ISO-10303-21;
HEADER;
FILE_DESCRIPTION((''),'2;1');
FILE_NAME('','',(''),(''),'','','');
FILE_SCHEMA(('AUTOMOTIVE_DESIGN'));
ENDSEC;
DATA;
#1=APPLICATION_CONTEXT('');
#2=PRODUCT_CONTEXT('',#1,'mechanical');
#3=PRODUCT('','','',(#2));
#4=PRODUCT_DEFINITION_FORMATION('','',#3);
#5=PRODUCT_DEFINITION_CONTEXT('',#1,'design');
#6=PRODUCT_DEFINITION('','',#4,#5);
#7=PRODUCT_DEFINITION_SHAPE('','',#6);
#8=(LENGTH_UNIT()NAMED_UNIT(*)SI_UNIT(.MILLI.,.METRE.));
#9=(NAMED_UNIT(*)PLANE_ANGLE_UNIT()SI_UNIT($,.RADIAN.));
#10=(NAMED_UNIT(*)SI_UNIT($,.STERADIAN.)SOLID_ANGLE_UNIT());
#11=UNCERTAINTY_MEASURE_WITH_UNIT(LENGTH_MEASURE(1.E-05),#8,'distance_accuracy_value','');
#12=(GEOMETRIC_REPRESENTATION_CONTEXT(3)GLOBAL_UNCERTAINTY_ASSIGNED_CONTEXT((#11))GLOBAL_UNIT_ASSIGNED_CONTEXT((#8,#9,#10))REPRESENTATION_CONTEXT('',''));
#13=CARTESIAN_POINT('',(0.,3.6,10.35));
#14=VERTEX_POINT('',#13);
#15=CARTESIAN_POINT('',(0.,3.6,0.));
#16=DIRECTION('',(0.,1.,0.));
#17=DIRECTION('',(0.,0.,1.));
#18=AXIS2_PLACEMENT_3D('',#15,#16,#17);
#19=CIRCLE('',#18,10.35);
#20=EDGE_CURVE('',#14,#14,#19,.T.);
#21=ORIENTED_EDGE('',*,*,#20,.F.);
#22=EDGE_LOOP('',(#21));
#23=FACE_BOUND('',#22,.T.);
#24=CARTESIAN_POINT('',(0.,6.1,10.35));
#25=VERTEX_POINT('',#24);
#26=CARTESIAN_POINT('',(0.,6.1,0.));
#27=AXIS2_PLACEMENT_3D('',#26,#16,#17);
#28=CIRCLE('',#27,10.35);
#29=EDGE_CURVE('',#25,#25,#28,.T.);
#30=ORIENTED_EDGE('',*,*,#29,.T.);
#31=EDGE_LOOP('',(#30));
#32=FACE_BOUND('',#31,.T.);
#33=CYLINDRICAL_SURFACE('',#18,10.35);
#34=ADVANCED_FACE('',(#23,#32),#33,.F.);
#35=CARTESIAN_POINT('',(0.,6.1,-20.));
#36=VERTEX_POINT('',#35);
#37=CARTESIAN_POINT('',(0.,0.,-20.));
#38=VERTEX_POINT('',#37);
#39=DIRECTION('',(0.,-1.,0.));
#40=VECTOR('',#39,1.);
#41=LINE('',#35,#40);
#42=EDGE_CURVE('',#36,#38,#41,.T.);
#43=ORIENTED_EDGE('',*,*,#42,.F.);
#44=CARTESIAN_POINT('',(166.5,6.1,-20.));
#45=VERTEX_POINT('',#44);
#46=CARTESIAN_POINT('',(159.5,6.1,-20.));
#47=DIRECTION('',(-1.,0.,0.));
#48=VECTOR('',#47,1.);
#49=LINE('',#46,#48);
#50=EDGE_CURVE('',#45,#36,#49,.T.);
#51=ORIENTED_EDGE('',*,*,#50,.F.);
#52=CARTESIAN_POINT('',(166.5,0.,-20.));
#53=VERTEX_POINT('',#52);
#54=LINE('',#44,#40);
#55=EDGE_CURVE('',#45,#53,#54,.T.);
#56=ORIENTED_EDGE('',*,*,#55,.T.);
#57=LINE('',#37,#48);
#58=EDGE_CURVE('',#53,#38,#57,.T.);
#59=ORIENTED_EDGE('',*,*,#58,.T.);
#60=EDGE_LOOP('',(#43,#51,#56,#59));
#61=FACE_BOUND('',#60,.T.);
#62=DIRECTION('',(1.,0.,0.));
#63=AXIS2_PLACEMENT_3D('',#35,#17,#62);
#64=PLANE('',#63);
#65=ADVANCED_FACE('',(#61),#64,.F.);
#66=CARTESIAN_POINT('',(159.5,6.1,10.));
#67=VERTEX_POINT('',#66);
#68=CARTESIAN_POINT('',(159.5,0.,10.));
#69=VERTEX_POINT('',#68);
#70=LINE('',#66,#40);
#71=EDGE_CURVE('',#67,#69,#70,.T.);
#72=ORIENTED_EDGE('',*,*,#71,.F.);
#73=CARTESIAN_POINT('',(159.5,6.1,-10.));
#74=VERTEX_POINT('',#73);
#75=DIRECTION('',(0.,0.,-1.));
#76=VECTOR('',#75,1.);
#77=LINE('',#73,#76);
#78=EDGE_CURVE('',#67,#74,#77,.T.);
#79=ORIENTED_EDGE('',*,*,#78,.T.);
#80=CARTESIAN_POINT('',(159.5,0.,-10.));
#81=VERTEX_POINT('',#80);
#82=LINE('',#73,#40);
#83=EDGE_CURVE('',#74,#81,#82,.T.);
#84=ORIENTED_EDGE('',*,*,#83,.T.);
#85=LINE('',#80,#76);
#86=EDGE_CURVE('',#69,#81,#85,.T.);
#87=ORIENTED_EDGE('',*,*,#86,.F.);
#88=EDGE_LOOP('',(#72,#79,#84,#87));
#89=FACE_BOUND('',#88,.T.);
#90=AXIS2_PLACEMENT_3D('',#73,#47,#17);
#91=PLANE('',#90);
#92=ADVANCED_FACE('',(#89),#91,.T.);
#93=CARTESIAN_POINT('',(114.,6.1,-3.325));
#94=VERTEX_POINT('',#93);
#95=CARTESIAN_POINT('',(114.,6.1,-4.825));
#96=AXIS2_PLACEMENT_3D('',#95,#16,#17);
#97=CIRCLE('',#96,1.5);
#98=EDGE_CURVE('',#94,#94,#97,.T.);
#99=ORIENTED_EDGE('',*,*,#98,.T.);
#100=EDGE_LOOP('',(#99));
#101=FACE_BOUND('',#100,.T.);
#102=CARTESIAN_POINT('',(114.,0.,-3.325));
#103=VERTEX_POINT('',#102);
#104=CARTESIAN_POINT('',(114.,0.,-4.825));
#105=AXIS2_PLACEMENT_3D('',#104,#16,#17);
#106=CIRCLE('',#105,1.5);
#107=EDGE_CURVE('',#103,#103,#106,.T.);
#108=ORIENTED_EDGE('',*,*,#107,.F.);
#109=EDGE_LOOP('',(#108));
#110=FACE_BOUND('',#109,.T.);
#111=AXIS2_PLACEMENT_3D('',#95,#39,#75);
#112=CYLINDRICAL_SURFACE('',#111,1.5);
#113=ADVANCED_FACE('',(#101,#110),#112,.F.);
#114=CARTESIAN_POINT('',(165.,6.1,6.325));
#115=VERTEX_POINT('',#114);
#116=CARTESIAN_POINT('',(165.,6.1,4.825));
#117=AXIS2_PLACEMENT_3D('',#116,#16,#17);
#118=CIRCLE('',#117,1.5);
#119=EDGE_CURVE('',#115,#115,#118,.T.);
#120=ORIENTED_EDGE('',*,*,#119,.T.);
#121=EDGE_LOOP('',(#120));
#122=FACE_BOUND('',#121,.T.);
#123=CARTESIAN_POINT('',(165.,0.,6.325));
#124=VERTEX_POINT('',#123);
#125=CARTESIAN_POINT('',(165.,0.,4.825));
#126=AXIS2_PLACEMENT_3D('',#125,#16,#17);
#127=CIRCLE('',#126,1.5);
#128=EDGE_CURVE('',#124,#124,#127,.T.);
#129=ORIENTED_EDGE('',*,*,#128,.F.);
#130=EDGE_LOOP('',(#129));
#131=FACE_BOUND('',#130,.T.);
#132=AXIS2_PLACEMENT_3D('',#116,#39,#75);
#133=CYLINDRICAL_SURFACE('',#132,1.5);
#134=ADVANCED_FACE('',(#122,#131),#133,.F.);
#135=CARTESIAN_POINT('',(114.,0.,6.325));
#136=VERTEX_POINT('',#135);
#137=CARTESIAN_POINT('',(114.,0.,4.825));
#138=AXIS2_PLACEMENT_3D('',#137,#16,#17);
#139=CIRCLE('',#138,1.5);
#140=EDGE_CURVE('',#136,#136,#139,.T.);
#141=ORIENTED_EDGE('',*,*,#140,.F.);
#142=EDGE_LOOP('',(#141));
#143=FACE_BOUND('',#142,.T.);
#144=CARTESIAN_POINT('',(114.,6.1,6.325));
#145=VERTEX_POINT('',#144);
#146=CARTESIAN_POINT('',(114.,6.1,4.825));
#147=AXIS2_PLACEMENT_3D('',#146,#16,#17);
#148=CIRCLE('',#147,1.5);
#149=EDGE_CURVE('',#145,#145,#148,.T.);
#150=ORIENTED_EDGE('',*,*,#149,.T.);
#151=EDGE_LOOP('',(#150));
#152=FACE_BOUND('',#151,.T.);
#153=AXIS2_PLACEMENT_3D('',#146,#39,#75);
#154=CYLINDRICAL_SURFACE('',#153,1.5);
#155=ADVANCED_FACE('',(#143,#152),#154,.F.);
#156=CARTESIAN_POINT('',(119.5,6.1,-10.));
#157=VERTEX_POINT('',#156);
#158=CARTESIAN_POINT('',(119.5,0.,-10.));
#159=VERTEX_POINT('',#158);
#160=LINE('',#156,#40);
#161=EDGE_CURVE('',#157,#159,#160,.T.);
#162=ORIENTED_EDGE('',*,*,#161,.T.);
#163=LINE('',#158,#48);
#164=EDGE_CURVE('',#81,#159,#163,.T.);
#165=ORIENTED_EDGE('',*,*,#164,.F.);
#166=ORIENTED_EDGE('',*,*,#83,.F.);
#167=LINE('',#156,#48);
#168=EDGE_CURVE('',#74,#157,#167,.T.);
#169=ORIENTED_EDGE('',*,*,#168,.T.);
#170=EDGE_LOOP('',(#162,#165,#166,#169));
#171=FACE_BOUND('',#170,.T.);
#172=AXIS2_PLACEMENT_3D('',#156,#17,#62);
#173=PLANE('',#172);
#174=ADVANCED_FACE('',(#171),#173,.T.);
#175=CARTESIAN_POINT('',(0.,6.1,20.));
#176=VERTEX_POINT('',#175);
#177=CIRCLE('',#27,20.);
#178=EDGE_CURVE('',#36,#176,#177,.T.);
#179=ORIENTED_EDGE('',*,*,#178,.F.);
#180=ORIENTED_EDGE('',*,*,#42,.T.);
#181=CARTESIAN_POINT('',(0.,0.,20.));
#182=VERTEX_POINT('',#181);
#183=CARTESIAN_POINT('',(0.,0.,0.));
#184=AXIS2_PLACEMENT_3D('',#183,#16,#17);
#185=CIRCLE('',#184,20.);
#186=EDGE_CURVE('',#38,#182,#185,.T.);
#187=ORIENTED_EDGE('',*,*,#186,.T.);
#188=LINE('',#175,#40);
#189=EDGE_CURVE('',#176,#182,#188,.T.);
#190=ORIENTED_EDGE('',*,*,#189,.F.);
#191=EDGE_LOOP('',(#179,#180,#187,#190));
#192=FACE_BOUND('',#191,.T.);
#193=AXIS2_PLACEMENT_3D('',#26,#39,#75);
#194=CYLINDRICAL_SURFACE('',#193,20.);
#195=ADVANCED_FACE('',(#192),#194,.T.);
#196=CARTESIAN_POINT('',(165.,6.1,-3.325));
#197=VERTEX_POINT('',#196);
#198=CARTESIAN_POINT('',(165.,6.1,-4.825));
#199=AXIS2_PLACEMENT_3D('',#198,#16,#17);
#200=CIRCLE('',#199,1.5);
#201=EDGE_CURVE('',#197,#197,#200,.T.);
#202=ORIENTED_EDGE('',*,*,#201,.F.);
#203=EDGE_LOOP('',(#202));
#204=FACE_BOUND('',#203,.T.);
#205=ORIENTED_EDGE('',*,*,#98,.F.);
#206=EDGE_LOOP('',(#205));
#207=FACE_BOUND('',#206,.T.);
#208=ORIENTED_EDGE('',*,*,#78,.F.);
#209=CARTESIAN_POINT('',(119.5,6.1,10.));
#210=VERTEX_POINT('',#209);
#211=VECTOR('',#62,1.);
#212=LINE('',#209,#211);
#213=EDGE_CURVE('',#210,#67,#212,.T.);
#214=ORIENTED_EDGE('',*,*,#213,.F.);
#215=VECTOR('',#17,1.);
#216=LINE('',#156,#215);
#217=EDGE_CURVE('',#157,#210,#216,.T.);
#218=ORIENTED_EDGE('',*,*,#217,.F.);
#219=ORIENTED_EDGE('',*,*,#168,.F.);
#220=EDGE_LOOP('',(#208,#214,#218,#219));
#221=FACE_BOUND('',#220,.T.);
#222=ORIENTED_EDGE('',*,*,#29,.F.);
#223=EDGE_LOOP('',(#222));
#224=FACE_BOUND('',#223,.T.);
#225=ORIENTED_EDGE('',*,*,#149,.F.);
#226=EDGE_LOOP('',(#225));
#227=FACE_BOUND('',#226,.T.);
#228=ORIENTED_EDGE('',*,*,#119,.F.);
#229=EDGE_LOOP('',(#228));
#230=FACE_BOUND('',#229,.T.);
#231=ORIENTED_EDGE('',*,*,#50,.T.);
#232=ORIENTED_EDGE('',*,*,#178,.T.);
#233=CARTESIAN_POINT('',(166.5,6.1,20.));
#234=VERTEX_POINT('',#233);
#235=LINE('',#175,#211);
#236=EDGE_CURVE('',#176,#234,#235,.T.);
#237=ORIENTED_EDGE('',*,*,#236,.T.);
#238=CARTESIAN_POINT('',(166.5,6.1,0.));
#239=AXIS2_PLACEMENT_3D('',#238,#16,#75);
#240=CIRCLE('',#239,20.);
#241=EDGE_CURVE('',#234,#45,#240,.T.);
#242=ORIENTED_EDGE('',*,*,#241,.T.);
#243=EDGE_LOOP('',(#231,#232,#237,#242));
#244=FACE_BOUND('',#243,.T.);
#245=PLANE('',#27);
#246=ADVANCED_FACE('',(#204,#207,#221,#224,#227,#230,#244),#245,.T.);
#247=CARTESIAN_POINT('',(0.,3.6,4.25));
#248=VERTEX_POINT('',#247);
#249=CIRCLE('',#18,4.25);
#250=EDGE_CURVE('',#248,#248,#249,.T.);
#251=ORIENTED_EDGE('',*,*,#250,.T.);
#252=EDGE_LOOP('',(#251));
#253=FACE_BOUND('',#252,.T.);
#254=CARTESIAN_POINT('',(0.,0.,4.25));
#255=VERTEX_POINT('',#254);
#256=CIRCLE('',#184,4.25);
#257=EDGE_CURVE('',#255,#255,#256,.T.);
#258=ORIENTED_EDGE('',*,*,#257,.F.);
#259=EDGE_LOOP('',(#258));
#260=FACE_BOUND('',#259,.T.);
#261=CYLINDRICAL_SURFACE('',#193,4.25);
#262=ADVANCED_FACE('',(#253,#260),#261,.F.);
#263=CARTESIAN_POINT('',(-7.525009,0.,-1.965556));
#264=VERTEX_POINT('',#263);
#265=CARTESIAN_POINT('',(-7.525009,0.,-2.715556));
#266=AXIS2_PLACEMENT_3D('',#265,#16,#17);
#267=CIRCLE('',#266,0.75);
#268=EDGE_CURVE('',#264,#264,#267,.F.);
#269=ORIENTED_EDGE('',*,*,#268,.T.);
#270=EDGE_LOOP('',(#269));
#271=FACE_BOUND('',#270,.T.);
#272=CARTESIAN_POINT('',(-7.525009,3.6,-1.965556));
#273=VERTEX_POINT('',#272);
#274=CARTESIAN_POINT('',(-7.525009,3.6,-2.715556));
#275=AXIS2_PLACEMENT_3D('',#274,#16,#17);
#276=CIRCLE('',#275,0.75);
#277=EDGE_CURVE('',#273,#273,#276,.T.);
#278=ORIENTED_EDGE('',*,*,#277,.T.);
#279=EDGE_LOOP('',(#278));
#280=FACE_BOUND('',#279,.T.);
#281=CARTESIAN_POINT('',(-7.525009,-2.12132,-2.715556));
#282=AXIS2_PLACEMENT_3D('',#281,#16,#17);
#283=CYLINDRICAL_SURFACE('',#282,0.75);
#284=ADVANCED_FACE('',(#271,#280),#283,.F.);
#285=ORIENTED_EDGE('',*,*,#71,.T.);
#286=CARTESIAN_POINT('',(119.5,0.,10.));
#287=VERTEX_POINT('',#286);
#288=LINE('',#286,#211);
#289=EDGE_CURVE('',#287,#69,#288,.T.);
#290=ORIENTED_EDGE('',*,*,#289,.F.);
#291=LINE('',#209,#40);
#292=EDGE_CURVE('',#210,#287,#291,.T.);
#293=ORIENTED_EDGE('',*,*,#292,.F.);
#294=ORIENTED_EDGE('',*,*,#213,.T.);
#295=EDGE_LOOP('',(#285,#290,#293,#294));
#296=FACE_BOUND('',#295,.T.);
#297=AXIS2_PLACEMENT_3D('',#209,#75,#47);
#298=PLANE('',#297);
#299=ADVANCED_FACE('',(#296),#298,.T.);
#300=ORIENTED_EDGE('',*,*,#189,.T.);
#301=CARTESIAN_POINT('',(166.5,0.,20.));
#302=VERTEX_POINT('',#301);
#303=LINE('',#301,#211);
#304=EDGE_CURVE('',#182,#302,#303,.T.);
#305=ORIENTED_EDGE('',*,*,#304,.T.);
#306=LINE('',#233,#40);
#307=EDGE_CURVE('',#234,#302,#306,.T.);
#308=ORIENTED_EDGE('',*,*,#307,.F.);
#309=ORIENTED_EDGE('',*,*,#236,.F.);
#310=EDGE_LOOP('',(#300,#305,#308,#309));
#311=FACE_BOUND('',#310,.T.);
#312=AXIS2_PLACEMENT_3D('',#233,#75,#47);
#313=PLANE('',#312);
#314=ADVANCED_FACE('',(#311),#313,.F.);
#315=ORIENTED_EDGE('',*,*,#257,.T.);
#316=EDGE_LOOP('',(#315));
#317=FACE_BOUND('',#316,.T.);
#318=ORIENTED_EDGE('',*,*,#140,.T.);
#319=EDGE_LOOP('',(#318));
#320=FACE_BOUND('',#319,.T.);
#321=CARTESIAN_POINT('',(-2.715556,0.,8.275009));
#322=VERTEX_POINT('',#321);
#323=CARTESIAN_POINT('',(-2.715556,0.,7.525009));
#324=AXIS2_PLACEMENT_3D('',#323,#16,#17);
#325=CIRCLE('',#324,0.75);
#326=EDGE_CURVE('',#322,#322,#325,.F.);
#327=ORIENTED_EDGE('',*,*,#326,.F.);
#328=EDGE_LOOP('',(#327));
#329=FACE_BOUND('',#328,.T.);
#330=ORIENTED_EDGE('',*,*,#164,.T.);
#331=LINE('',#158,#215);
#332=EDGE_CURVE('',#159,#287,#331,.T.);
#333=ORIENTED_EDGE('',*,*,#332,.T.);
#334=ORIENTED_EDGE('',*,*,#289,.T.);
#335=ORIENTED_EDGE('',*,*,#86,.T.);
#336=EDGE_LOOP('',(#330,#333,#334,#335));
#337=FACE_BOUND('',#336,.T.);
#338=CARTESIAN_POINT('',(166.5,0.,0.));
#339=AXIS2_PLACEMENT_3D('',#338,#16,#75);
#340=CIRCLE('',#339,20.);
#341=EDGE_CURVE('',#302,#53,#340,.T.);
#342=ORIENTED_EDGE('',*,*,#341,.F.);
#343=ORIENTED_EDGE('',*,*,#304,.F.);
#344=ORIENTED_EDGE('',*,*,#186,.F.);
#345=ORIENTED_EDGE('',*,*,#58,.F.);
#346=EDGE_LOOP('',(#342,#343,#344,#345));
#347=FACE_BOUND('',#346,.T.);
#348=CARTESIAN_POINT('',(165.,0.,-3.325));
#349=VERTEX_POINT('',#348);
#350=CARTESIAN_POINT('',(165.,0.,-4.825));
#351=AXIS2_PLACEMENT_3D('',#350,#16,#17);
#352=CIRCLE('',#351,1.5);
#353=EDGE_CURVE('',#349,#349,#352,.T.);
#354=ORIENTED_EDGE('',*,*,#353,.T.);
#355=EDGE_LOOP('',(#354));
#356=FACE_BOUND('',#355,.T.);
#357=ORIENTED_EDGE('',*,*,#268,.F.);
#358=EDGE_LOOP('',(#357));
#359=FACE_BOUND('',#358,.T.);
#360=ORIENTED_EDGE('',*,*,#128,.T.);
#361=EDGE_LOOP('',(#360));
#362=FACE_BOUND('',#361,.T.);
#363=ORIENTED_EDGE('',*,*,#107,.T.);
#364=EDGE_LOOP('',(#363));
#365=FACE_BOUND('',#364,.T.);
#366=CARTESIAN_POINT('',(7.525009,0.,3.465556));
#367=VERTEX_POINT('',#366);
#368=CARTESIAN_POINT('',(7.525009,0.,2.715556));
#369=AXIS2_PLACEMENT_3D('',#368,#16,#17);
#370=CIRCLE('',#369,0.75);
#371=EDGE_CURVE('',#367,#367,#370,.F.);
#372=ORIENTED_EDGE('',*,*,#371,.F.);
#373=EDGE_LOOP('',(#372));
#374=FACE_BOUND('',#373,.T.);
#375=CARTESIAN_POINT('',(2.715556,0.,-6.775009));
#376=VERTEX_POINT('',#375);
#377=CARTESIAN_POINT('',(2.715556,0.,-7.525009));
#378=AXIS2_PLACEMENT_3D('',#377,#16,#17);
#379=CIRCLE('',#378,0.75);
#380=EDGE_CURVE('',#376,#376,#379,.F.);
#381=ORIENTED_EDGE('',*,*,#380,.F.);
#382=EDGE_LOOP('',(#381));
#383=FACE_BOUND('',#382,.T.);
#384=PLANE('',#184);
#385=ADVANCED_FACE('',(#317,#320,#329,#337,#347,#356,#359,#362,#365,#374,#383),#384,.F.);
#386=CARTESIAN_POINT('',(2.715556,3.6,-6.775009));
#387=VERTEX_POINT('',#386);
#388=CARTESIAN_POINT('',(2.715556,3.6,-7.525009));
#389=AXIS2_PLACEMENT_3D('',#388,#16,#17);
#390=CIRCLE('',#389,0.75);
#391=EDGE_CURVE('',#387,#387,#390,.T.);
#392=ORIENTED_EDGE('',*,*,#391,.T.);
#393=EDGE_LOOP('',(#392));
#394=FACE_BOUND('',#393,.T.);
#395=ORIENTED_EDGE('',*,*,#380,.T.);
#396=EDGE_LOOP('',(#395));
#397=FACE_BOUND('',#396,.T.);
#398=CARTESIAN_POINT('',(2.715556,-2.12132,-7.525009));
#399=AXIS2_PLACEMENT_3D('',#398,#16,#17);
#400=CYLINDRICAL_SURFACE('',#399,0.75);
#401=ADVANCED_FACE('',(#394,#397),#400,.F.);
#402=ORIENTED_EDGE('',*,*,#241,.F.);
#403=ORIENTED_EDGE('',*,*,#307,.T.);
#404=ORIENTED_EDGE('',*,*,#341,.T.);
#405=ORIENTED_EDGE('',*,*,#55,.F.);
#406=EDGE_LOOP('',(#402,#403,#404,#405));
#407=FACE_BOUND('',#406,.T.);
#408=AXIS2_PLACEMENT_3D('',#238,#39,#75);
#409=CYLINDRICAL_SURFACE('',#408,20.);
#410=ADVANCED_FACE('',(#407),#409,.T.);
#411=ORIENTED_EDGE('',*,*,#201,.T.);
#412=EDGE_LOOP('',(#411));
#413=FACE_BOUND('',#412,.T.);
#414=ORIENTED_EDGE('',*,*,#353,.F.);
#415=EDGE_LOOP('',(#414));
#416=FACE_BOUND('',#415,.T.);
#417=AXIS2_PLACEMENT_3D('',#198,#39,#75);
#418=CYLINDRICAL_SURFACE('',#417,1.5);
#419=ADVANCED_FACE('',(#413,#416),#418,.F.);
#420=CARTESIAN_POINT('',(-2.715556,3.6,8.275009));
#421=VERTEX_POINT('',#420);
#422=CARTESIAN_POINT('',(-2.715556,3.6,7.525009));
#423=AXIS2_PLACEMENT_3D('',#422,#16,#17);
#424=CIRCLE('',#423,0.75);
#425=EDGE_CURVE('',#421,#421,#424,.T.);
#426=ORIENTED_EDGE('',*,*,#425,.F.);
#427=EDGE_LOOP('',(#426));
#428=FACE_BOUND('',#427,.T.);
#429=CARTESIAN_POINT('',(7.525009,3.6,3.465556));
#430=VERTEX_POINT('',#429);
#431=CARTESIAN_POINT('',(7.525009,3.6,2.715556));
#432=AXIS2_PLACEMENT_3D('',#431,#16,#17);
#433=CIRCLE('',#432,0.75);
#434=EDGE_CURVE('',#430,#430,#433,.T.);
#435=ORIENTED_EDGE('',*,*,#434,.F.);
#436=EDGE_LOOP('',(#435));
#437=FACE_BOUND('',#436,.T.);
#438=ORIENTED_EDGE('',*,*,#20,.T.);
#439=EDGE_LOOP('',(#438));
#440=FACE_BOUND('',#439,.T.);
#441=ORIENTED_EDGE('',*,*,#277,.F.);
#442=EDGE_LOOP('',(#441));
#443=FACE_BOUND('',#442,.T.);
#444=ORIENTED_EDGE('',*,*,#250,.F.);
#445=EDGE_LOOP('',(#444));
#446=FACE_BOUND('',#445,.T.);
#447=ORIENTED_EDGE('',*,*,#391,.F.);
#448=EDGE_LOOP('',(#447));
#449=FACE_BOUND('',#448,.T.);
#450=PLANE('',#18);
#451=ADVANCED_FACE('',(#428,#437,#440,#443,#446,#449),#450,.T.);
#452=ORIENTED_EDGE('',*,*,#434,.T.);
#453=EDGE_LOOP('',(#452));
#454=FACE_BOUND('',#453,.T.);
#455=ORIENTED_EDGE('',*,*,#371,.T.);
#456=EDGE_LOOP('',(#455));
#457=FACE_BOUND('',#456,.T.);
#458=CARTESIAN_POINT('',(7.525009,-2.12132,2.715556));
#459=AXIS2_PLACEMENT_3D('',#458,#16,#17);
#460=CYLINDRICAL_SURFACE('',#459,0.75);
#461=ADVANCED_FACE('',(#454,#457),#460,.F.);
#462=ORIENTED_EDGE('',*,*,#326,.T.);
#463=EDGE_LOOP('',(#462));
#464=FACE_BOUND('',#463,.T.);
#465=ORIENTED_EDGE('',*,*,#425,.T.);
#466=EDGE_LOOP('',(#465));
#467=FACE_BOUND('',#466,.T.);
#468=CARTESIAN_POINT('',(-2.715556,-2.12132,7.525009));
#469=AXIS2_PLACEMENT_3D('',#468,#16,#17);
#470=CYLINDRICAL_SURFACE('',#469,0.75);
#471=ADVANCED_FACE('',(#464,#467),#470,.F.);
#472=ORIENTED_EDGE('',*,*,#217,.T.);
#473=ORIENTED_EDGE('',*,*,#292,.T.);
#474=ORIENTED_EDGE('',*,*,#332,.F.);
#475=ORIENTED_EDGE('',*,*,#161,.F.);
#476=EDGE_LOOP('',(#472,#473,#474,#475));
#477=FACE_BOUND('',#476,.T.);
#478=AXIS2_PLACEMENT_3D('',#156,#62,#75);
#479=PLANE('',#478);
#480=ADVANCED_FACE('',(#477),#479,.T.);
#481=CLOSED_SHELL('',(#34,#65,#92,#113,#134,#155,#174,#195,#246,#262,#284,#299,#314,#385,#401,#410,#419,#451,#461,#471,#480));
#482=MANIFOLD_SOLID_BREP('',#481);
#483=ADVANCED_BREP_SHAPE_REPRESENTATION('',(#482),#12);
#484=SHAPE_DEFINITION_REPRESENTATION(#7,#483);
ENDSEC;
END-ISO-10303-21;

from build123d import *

# Parameters (mm, degrees)
SKETCH1_R           = 4.25
SKETCH1_R_2         = 1.5
SKETCH1_W           = 40
SKETCH1_H           = 20
BOSS_EXTRUDE1_DEPTH = 6.1
SKETCH2_R           = 10.35
CUT_EXTRUDE1_DEPTH  = 2.5
SKETCH3_R           = 0.75
CUT_EXTRUDE3_DEPTH  = 3.6


with BuildPart() as part:
    # Sketch1 → Boss-Extrude1 (new body)
    with BuildSketch(Plane(origin=(0, 0, 0), x_dir=(1, 0, 0), z_dir=(0, 1, 0))):
        with BuildLine():
            Line((150, 20), (159.5, 20))
            Line((159.5, 20), (166.5, 20))
            ThreePointArc((166.5, 20), (186.5, 0), (166.5, -20))
            Line((166.5, -20), (159.5, -20))
            Line((159.5, -20), (150, -20))
            Line((150, -20), (0, -20))
            ThreePointArc((0, -20), (-20, 0), (0, 20))
            Line((0, 20), (150, 20))
        make_face()
        with Locations(Location((0, 0, 0), (0, 0, 270))):
            Circle(SKETCH1_R, mode=Mode.SUBTRACT)
        with Locations(Location((165, 4.825, 0), (0, 0, 270))):
            Circle(SKETCH1_R_2, mode=Mode.SUBTRACT)
        with Locations(Location((165, -4.825, 0), (0, 0, 270))):
            Circle(SKETCH1_R_2, mode=Mode.SUBTRACT)
        with Locations(Location((114, 4.825, 0), (0, 0, 270))):
            Circle(SKETCH1_R_2, mode=Mode.SUBTRACT)
        with Locations(Location((114, -4.825, 0), (0, 0, 270))):
            Circle(SKETCH1_R_2, mode=Mode.SUBTRACT)
        with Locations((139.5, 0)):
            Rectangle(SKETCH1_W, SKETCH1_H, mode=Mode.SUBTRACT)
    extrude(amount=BOSS_EXTRUDE1_DEPTH)

    # Sketch2 → Cut-Extrude1 (cut)
    with BuildSketch(Plane(origin=(0, 6.1, 0), x_dir=(1, 0, 0), z_dir=(0, 1, 0))):
        with Locations(Location((0, 0, 0), (0, 0, 270))):
            Circle(SKETCH2_R)
    extrude(amount=-CUT_EXTRUDE1_DEPTH, mode=Mode.SUBTRACT)

    # Sketch3 → Cut-Extrude3 (cut)
    with BuildSketch(Plane(origin=(0, 3.6, 0), x_dir=(1, 0, 0), z_dir=(0, 1, 0))):
        with Locations(Location((-7.52500865, 2.715556079, 0), (0, 0, 270))):
            Circle(SKETCH3_R)
        with Locations(Location((7.52500865, -2.715556079, 0), (0, 0, 270))):
            Circle(SKETCH3_R)
        with Locations(Location((2.715556079, 7.52500865, 0), (0, 0, 270))):
            Circle(SKETCH3_R)
        with Locations(Location((-2.715556079, -7.52500865, 0), (0, 0, 270))):
            Circle(SKETCH3_R)
    extrude(amount=-CUT_EXTRUDE3_DEPTH, mode=Mode.SUBTRACT)


solid = part.part
